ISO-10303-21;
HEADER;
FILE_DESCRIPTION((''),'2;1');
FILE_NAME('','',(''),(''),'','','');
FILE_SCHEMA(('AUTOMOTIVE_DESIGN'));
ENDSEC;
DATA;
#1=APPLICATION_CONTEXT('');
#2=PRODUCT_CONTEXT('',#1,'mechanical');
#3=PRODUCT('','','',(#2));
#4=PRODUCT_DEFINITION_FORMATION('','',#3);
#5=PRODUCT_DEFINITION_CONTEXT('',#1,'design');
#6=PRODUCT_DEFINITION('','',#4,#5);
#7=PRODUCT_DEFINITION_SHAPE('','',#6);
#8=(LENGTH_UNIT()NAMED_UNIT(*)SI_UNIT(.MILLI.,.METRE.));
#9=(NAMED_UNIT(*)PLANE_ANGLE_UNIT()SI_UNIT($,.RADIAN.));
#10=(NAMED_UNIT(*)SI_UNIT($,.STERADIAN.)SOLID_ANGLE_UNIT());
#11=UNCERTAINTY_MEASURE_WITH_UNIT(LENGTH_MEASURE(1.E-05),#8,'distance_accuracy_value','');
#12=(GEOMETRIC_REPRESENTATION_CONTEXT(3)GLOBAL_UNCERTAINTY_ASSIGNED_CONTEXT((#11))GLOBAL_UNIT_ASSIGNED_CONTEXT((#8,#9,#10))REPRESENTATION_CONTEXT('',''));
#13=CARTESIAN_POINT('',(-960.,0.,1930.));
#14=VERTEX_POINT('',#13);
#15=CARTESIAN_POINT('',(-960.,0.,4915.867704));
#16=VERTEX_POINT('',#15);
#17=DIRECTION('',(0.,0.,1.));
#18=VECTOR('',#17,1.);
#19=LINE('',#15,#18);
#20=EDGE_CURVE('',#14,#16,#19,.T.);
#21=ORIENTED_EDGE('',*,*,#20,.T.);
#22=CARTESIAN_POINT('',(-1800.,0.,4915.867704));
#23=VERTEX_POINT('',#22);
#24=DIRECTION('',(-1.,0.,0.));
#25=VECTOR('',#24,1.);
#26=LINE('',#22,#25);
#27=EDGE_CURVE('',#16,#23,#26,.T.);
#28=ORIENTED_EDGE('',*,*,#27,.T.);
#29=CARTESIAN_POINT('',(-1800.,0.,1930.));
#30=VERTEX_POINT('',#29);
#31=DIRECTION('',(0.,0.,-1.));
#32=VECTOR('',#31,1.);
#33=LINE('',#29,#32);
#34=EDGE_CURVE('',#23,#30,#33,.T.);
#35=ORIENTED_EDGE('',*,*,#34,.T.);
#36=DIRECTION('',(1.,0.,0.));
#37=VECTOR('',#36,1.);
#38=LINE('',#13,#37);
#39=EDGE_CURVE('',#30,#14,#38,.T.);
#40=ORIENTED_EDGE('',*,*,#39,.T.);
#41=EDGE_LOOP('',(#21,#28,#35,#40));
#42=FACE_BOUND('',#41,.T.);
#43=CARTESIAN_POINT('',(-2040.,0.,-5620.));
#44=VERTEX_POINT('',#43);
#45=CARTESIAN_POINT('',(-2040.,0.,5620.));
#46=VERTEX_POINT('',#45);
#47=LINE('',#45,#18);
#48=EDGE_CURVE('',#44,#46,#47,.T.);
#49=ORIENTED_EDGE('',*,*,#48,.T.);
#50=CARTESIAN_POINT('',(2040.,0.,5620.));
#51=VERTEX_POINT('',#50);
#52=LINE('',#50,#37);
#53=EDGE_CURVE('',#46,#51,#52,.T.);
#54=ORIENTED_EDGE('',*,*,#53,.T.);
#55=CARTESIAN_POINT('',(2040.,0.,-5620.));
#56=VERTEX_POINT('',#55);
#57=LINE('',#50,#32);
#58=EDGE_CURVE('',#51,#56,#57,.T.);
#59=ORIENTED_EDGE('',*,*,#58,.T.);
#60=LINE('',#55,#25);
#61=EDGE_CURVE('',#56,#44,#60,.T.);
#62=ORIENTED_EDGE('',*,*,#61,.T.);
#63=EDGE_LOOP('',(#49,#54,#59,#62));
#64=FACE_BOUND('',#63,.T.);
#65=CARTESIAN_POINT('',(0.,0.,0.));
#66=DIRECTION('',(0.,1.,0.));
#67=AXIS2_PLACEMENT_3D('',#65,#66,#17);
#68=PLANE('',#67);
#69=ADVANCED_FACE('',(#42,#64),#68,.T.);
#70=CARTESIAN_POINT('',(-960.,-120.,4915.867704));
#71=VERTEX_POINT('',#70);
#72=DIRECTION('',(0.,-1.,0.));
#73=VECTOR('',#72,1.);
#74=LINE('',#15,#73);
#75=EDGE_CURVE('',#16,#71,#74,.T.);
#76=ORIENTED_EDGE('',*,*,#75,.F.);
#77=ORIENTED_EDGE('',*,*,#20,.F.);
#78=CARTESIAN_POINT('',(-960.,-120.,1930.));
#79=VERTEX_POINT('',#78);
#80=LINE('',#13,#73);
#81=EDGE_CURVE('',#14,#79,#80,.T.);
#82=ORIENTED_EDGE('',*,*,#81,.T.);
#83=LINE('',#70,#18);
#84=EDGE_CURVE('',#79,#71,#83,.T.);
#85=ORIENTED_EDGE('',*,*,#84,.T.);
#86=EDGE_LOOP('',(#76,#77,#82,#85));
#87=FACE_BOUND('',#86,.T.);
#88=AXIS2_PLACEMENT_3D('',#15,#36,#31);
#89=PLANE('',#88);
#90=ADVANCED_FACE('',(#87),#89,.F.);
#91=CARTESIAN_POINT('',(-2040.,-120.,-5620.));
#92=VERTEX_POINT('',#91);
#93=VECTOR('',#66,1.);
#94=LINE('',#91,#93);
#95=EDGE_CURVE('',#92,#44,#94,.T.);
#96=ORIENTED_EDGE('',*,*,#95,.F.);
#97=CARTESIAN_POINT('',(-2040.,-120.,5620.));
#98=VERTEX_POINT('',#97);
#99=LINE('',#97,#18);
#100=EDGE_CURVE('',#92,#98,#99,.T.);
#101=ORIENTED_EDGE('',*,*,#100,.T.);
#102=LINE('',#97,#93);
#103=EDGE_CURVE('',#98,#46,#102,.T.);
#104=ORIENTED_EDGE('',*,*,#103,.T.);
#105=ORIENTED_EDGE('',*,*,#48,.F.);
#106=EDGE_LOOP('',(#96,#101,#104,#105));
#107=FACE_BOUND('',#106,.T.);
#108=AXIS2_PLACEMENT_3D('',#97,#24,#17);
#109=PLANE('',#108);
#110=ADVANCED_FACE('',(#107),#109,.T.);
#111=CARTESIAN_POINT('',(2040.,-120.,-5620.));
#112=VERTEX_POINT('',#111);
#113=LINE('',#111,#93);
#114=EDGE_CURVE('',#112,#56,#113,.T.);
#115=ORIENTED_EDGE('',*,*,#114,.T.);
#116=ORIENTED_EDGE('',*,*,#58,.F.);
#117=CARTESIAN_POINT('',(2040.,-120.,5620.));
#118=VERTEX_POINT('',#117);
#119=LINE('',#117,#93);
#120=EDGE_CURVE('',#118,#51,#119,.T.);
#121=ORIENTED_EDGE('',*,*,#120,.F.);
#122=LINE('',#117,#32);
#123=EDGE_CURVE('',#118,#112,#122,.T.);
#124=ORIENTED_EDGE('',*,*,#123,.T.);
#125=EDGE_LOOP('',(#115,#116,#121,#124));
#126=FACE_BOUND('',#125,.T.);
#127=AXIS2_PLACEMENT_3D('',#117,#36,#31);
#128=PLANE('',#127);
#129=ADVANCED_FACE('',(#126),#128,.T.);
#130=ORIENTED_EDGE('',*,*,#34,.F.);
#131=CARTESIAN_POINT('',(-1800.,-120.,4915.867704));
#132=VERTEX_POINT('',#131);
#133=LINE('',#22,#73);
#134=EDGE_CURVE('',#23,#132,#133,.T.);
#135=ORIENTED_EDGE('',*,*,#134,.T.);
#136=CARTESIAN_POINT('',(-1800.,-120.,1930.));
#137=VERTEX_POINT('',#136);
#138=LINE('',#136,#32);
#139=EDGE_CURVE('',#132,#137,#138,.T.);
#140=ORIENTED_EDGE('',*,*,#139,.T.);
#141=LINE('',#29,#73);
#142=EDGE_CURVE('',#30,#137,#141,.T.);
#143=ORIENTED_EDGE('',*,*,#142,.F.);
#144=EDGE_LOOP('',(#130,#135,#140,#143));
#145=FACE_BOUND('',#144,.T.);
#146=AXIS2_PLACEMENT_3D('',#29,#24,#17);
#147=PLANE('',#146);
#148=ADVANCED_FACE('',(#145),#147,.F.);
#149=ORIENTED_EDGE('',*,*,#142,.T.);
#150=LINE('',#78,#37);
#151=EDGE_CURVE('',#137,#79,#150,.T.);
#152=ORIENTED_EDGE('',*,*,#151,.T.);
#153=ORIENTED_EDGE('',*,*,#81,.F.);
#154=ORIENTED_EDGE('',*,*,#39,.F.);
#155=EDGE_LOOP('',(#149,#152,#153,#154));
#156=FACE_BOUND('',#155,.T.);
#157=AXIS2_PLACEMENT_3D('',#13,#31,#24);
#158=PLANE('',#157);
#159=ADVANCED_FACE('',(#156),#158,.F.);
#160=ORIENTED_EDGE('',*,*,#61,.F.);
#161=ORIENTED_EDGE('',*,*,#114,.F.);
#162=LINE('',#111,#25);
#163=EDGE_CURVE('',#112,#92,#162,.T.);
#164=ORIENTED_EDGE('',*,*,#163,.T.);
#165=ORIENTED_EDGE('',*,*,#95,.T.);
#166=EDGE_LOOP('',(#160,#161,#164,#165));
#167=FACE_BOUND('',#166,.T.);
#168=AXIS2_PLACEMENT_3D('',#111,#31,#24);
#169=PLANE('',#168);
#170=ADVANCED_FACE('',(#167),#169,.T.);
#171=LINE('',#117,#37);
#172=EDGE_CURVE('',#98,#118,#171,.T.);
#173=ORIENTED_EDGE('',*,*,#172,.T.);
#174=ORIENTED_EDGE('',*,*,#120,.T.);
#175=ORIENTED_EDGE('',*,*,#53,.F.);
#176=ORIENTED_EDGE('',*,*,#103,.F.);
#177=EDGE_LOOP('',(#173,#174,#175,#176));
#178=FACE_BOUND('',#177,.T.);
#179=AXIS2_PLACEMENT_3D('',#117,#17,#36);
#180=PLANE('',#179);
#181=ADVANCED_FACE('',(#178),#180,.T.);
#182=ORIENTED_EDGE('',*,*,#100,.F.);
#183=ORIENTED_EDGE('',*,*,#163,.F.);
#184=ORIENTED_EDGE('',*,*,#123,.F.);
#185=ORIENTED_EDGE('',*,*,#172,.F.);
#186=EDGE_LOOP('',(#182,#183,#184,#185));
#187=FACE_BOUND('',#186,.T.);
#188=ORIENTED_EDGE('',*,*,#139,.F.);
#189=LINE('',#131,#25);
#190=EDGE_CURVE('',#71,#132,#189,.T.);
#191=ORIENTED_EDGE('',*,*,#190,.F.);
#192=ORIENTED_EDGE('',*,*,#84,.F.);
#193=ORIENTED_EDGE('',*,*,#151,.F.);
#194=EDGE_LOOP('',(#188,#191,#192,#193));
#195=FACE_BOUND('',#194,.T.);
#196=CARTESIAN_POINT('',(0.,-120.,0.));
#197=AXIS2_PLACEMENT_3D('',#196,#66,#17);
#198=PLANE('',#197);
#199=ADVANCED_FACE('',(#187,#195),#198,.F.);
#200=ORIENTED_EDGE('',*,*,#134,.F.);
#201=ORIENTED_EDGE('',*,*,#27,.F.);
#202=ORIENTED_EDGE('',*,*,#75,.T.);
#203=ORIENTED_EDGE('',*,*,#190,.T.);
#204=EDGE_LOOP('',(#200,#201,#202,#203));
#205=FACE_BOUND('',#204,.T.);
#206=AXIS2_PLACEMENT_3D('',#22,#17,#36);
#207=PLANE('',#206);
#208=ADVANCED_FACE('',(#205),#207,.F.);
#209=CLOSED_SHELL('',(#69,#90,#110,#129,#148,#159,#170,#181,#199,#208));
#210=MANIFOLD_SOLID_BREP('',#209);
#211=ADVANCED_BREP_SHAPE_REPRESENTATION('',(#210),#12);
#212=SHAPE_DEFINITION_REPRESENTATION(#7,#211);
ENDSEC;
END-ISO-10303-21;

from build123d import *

# Parameters (mm, degrees)
SKETCH_1_W            = 4080
SKETCH_1_H            = 11240
EXTRUDE_1_DEPTH       = 120
SKETCH_2_W            = 840
SKETCH_2_H            = 2985.867704249
CUT_EXTRUDE_646_DEPTH = 121


with BuildPart() as part:
    # 草图1 → 凸台-拉伸1 (new body)
    with BuildSketch(Plane(origin=(0, 0, 0), x_dir=(1, 0, 0), z_dir=(0, 1, 0))):
        Rectangle(SKETCH_1_W, SKETCH_1_H)
    extrude(amount=-EXTRUDE_1_DEPTH)

    # 草图2 → Cut-Extrude 646 (cut, through all)
    with BuildSketch(Plane.XZ.offset(120)):
        with Locations((-1380, 3422.933852124)):
            Rectangle(SKETCH_2_W, SKETCH_2_H)
    extrude(amount=-CUT_EXTRUDE_646_DEPTH, mode=Mode.SUBTRACT)


solid = part.part
